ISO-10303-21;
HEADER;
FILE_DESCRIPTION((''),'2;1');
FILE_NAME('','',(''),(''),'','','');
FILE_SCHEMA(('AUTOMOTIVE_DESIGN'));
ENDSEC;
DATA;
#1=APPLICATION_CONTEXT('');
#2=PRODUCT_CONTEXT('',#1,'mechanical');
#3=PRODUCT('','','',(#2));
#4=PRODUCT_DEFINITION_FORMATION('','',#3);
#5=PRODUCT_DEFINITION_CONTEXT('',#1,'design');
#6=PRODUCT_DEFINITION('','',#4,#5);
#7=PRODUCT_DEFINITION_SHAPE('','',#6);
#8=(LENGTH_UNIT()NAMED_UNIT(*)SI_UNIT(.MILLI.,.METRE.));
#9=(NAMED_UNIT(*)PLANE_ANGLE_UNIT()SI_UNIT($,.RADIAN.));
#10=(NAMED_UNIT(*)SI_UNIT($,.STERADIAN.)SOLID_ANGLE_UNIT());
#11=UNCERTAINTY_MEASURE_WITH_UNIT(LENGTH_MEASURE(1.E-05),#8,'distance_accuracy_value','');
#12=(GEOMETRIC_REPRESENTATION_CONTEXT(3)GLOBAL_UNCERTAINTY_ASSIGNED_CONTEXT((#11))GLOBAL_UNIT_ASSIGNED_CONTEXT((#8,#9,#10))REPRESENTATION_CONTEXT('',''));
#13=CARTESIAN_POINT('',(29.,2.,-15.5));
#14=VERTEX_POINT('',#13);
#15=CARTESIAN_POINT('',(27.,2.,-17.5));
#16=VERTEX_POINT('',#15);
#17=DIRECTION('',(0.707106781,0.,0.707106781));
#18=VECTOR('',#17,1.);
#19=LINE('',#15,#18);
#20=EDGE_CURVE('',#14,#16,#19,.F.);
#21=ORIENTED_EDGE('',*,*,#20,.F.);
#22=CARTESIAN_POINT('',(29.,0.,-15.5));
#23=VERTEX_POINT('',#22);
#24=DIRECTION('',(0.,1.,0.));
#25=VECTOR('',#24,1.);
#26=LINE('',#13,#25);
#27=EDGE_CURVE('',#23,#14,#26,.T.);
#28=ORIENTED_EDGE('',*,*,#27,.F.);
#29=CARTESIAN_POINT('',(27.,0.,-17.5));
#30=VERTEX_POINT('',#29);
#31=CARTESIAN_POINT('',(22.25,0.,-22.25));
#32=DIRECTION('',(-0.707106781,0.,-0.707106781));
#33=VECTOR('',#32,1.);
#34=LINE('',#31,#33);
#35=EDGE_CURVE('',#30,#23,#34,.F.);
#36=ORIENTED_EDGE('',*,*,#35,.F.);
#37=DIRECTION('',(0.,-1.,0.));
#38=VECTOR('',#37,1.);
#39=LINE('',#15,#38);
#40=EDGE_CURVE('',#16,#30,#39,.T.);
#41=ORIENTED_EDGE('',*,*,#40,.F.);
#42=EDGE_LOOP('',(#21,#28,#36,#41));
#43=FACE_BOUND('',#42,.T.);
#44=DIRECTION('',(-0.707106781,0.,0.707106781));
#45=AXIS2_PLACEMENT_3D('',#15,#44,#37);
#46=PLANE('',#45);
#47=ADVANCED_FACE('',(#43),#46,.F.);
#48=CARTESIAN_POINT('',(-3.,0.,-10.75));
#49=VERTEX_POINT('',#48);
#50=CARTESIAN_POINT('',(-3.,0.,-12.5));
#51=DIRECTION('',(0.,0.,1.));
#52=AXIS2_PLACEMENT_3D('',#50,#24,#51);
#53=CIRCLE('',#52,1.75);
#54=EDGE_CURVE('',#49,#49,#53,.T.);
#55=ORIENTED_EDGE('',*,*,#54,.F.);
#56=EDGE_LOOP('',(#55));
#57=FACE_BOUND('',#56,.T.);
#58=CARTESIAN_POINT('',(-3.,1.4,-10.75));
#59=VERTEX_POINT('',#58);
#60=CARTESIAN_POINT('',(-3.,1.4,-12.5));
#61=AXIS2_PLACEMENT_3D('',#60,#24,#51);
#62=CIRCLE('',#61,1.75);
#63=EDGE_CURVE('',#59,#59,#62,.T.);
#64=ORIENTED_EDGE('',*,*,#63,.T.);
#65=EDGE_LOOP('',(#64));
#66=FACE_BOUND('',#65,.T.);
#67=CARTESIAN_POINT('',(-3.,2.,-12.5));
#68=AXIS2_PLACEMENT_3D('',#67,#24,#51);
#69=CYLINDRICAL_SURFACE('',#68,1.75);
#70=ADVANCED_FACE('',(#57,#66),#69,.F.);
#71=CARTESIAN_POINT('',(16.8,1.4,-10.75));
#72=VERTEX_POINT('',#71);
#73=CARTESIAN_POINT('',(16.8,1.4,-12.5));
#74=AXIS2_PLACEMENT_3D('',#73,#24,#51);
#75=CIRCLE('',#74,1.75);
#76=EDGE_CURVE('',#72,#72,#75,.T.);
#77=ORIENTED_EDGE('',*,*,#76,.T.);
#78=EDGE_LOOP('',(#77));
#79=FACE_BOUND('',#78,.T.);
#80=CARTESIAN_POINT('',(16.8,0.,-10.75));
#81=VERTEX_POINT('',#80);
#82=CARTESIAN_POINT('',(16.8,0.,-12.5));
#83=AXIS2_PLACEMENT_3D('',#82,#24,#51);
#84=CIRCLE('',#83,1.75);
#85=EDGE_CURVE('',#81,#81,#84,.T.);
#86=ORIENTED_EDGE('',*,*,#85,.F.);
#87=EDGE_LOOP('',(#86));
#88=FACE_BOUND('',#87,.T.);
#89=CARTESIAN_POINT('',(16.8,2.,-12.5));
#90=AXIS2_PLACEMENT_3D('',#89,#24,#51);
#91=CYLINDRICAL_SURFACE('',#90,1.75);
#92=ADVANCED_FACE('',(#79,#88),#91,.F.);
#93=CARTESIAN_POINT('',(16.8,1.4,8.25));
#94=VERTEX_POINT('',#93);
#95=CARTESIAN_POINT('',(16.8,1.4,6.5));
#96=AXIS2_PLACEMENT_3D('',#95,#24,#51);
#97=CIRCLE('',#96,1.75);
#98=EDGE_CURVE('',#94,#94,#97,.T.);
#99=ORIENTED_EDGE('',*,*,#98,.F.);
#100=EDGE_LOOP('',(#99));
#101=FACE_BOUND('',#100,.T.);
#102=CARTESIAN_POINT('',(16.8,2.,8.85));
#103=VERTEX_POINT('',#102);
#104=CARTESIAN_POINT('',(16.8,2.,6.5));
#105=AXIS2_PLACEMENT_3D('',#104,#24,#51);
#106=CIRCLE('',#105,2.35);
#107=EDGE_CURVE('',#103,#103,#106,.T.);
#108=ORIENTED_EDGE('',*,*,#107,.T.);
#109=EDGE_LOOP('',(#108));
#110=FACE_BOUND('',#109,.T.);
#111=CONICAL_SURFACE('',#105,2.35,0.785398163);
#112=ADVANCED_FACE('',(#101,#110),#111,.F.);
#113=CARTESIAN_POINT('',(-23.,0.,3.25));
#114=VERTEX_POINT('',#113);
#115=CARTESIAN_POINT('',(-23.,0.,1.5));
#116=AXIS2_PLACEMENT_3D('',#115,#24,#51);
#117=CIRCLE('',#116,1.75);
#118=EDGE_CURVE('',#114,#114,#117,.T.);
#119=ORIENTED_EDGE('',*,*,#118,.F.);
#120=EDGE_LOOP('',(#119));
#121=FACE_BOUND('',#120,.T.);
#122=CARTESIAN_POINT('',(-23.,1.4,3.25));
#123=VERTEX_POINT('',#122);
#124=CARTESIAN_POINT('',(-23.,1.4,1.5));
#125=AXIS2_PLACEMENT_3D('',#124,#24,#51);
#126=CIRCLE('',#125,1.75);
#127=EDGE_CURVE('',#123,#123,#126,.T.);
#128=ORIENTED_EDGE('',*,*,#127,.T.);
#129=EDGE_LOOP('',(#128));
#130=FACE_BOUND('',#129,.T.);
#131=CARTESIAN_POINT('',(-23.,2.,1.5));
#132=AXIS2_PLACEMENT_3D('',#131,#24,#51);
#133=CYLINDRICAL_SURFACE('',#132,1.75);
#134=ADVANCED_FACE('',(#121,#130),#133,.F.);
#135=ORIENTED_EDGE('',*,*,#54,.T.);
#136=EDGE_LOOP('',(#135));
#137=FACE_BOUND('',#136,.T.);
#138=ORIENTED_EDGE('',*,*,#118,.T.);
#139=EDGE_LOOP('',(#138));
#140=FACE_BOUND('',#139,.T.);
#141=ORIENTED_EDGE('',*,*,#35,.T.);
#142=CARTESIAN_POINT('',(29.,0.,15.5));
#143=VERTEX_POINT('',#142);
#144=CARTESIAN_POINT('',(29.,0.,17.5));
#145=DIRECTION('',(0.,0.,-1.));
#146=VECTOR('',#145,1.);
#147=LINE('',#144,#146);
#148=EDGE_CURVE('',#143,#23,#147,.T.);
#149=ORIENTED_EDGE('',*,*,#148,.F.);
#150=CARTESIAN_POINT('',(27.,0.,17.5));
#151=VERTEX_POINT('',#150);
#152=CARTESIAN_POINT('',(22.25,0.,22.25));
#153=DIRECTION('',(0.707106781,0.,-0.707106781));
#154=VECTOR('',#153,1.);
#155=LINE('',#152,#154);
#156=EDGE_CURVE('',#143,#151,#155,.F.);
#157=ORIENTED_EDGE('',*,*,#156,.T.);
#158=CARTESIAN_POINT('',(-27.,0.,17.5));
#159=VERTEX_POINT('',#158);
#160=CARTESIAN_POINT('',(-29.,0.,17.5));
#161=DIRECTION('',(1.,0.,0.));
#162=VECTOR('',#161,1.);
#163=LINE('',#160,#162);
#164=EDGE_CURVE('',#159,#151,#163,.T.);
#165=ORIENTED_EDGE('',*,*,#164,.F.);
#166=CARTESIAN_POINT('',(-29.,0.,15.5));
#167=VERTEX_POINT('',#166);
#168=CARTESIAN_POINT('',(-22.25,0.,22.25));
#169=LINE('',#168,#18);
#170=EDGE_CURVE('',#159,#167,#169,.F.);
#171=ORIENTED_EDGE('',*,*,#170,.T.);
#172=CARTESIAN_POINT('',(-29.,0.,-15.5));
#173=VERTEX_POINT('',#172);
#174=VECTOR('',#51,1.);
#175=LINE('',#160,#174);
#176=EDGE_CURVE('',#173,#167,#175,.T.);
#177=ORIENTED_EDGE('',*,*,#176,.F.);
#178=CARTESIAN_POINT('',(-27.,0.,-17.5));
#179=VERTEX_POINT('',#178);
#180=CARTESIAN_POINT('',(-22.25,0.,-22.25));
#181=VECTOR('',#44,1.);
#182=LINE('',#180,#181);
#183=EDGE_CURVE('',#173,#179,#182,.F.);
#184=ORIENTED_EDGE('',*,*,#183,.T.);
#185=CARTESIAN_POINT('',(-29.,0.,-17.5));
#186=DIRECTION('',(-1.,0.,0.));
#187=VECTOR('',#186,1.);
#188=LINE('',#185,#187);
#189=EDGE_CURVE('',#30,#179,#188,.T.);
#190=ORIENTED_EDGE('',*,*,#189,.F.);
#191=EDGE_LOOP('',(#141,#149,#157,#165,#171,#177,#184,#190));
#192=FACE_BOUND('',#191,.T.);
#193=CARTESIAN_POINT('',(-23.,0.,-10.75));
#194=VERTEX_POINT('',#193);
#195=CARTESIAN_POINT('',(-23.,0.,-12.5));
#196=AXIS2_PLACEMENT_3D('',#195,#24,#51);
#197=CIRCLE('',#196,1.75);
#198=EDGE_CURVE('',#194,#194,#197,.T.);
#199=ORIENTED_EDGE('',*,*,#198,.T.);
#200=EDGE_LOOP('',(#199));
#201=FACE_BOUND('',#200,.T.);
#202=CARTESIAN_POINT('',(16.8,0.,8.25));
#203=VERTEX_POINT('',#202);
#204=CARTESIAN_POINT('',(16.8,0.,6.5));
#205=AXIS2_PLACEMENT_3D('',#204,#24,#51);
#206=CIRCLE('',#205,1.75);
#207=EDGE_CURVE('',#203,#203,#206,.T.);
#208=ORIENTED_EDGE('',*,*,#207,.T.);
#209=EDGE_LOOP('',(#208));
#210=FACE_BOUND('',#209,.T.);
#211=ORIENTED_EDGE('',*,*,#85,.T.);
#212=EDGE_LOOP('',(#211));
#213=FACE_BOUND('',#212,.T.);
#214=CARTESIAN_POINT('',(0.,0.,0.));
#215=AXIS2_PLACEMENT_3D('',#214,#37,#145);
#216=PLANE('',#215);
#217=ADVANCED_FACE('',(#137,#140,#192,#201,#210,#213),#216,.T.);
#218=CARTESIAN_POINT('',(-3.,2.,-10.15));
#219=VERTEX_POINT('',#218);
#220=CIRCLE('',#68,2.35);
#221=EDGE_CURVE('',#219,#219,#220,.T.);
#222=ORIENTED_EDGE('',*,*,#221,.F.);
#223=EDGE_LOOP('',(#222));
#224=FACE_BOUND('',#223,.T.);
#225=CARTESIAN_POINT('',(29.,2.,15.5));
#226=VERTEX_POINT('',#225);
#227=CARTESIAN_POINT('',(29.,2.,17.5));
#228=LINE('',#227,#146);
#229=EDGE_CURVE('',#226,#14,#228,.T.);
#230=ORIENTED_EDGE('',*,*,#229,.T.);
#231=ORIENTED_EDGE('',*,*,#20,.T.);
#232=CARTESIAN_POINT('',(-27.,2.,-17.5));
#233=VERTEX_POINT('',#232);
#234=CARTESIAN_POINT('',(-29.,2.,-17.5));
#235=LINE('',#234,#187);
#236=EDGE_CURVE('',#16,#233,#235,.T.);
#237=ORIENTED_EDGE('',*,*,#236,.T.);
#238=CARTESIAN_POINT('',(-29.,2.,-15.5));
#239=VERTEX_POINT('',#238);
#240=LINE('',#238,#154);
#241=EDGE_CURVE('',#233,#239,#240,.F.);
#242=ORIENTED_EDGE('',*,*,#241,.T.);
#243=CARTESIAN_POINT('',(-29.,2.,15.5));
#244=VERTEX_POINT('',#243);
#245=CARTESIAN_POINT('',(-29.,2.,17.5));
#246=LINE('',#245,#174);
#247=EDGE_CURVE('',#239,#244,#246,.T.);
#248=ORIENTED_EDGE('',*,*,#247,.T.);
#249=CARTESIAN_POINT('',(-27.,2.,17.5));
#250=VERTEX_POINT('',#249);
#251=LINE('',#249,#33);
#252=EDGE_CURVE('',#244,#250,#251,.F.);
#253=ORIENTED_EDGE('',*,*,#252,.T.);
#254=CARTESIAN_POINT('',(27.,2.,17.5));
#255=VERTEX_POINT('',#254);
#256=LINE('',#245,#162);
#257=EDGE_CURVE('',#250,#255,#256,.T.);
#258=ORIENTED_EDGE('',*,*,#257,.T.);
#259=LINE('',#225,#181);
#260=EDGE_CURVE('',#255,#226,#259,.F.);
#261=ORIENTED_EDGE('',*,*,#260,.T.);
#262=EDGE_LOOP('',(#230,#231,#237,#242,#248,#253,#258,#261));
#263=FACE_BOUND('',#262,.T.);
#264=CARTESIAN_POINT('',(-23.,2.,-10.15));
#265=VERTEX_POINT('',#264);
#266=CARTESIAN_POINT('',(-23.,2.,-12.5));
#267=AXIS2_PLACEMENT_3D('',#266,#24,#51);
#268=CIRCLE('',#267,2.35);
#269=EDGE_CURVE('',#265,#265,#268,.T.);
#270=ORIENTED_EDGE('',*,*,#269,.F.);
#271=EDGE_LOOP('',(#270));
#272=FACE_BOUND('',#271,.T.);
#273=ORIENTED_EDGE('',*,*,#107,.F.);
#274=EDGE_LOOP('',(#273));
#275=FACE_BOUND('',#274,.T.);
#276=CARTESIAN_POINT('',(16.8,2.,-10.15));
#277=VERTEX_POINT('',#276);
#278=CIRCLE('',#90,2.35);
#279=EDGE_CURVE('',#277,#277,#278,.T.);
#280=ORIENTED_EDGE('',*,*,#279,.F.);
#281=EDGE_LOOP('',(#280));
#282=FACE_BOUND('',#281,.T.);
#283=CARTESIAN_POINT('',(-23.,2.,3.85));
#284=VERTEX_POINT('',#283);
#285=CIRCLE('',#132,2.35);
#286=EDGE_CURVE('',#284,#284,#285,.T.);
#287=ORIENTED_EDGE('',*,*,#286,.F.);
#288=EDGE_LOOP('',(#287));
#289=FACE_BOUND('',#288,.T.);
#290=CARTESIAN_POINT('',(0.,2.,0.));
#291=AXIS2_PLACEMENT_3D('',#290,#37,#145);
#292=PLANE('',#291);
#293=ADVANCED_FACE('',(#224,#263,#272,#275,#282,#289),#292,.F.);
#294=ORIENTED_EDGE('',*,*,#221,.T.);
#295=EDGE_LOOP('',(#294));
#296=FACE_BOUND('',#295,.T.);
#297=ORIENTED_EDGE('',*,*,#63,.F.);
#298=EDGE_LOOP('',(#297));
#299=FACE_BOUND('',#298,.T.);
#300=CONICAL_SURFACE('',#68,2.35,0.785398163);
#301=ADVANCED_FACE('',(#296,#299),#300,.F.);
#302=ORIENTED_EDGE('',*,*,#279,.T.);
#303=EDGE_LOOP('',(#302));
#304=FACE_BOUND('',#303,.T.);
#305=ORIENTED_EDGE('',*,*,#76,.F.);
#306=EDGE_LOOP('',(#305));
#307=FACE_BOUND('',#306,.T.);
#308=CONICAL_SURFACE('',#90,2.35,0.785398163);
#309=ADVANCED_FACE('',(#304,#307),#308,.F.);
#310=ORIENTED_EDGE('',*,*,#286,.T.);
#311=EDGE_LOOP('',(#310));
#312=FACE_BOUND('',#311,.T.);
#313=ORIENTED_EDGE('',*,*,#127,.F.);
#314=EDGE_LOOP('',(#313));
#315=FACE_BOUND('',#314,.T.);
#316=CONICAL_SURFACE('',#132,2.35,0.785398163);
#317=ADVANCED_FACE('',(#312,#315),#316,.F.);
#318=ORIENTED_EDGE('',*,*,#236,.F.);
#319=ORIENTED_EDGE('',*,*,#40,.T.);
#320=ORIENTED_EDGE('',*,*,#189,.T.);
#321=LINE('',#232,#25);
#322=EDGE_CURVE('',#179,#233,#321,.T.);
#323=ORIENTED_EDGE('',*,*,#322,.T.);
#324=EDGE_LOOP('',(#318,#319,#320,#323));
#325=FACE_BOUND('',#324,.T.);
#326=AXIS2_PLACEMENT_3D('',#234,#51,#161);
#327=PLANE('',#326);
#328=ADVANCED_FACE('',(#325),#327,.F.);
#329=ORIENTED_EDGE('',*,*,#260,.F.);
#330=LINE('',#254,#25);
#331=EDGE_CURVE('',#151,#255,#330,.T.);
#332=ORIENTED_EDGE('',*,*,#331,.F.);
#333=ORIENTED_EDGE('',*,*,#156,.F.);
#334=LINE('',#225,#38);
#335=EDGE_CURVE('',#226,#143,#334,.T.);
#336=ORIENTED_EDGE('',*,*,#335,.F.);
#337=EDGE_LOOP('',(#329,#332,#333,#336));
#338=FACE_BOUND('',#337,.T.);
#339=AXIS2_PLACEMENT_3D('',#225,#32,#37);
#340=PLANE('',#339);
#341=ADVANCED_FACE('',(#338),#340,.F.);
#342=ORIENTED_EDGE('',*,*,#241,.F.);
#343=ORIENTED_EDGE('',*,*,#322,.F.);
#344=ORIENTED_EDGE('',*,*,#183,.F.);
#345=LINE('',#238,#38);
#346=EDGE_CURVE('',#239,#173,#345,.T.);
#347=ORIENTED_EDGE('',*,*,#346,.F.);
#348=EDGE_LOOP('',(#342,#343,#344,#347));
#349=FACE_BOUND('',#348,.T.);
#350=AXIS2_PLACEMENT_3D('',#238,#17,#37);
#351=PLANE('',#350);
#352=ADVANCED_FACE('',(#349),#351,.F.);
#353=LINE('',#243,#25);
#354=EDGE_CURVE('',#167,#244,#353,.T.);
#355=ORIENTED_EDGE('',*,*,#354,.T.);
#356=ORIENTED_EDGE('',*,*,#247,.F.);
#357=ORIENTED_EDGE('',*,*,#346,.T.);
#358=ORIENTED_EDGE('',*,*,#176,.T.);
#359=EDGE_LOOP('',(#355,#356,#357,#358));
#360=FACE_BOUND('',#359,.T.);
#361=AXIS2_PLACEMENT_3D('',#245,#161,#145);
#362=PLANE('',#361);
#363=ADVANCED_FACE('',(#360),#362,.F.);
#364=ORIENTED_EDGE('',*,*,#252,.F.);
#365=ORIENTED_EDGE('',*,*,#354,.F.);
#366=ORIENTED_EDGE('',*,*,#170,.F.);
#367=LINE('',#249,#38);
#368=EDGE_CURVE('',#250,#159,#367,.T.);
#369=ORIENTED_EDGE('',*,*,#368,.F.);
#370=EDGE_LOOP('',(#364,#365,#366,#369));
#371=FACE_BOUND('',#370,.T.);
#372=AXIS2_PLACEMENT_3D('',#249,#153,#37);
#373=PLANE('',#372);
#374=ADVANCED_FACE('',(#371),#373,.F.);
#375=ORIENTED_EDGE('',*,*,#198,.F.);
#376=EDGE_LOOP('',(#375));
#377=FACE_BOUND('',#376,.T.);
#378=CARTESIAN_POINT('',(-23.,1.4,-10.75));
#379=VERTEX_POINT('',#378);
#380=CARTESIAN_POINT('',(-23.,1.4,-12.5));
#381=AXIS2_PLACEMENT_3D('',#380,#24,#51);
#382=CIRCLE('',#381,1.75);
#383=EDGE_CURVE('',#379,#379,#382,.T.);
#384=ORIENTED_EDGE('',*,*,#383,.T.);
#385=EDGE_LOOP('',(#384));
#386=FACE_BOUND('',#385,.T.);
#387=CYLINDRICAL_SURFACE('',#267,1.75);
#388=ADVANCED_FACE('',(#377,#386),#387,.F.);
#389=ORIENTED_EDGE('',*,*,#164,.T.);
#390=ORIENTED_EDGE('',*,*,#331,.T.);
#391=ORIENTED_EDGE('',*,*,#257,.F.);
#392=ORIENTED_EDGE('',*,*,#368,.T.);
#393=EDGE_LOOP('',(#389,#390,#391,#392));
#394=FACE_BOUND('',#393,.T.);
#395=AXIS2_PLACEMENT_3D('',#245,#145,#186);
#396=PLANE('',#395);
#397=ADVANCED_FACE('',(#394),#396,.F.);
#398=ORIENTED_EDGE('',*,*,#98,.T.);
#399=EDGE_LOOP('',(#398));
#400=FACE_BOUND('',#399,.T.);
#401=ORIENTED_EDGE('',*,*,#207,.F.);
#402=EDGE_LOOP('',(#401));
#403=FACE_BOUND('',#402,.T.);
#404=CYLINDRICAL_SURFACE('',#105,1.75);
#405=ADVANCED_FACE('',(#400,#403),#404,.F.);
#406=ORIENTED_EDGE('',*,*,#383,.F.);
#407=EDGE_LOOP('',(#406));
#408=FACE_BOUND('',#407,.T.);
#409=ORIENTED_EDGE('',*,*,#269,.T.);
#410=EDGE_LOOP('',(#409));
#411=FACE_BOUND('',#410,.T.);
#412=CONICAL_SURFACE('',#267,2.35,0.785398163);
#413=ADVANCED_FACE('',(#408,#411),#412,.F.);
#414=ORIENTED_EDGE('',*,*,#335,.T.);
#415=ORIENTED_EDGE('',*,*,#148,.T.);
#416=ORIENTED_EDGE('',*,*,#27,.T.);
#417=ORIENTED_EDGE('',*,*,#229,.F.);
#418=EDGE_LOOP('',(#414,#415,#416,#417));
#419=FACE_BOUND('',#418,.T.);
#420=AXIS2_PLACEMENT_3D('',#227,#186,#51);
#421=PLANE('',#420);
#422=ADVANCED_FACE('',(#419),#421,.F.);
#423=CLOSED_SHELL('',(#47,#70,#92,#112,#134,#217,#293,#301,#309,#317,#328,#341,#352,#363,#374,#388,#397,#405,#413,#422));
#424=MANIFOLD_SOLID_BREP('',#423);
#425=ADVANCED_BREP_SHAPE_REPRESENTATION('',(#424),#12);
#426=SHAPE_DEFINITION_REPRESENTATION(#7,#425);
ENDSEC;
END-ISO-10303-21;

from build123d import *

# Parameters (mm, degrees)
SKETCH1_W                                    = 58
SKETCH1_H                                    = 35
BOSS_EXTRUDE1_DEPTH                          = 2
CSK_FOR_ST2_2_CROSS_RECESSED_CTSK_HE_2_COUNT = 2
CSK_FOR_ST2_2_CROSS_RECESSED_CTSK_HE_2_PITCH = 20
CSK_FOR_ST2_2_CROSS_RECESSED_CTSK_HE_3_COUNT = 2
CSK_FOR_ST2_2_CROSS_RECESSED_CTSK_HE_3_PITCH = 39.8
CSK_FOR_ST2_2_CROSS_RECESSED_CTSK_HE_4_COUNT = 2
CSK_FOR_ST2_2_CROSS_RECESSED_CTSK_HE_4_PITCH = 44.102607633
CSK_FOR_ST2_2_CROSS_RECESSED_CTSK_HE_5_COUNT = 2
CSK_FOR_ST2_2_CROSS_RECESSED_CTSK_HE_5_PITCH = 14
CHAMFER1_SIZE                                = 2


with BuildPart() as part:
    # Sketch1 → Boss-Extrude1 (new body)
    with BuildSketch(Plane(origin=(0, 0, 0), x_dir=(1, 0, 0), z_dir=(0, 1, 0))):
        Rectangle(SKETCH1_W, SKETCH1_H)
    extrude(amount=BOSS_EXTRUDE1_DEPTH)

    # Sketch3 → CSK for ST2.2 Cross recessed CTSK head tapping screws1 (revolve, cut)
    with BuildSketch(Plane(origin=(-23, 2, -12.5), x_dir=(0, 0, 1), z_dir=(1, 0, 0))):
        Polygon((0, 0), (0, 2), (1.75, 2), (1.75, 0.6), (2.35, 0), align=None)
    csk_for_st2_2_cross_recessed_ctsk_head_t = revolve(axis=Axis((-23, 8.35, -12.5), (0, -1, 0)), mode=Mode.SUBTRACT)

    # CSK for ST2.2 Cross recessed CTSK he 2: CSK for ST2.2 Cross recessed CTSK head tapping screws1 ×2
    with Locations(*[(i * CSK_FOR_ST2_2_CROSS_RECESSED_CTSK_HE_2_PITCH, 0, 0) for i in range(1, CSK_FOR_ST2_2_CROSS_RECESSED_CTSK_HE_2_COUNT)]):
        add(csk_for_st2_2_cross_recessed_ctsk_head_t, mode=Mode.SUBTRACT)

    # CSK for ST2.2 Cross recessed CTSK he 3: CSK for ST2.2 Cross recessed CTSK head tapping screws1 ×2
    with Locations(*[(i * CSK_FOR_ST2_2_CROSS_RECESSED_CTSK_HE_3_PITCH, 0, 0) for i in range(1, CSK_FOR_ST2_2_CROSS_RECESSED_CTSK_HE_3_COUNT)]):
        add(csk_for_st2_2_cross_recessed_ctsk_head_t, mode=Mode.SUBTRACT)

    # CSK for ST2.2 Cross recessed CTSK he 4: CSK for ST2.2 Cross recessed CTSK head tapping screws1 ×2
    with Locations(*[Vector(0.9024409697382602, 0, 0.4308135282670086) * (i * CSK_FOR_ST2_2_CROSS_RECESSED_CTSK_HE_4_PITCH) for i in range(1, CSK_FOR_ST2_2_CROSS_RECESSED_CTSK_HE_4_COUNT)]):
        add(csk_for_st2_2_cross_recessed_ctsk_head_t, mode=Mode.SUBTRACT)

    # CSK for ST2.2 Cross recessed CTSK he 5: CSK for ST2.2 Cross recessed CTSK head tapping screws1 ×2
    with Locations(*[(0, 0, i * CSK_FOR_ST2_2_CROSS_RECESSED_CTSK_HE_5_PITCH) for i in range(1, CSK_FOR_ST2_2_CROSS_RECESSED_CTSK_HE_5_COUNT)]):
        add(csk_for_st2_2_cross_recessed_ctsk_head_t, mode=Mode.SUBTRACT)

    # Chamfer1
    chamfer1_edges = [part.edges().sort_by_distance(p)[0] for p in [
        (29, 1, 17.5),
        (-29, 1, 17.5),
        (-29, 1, -17.5),
        (29, 1, -17.5),
    ]]
    chamfer(chamfer1_edges, length=CHAMFER1_SIZE)


solid = part.part
